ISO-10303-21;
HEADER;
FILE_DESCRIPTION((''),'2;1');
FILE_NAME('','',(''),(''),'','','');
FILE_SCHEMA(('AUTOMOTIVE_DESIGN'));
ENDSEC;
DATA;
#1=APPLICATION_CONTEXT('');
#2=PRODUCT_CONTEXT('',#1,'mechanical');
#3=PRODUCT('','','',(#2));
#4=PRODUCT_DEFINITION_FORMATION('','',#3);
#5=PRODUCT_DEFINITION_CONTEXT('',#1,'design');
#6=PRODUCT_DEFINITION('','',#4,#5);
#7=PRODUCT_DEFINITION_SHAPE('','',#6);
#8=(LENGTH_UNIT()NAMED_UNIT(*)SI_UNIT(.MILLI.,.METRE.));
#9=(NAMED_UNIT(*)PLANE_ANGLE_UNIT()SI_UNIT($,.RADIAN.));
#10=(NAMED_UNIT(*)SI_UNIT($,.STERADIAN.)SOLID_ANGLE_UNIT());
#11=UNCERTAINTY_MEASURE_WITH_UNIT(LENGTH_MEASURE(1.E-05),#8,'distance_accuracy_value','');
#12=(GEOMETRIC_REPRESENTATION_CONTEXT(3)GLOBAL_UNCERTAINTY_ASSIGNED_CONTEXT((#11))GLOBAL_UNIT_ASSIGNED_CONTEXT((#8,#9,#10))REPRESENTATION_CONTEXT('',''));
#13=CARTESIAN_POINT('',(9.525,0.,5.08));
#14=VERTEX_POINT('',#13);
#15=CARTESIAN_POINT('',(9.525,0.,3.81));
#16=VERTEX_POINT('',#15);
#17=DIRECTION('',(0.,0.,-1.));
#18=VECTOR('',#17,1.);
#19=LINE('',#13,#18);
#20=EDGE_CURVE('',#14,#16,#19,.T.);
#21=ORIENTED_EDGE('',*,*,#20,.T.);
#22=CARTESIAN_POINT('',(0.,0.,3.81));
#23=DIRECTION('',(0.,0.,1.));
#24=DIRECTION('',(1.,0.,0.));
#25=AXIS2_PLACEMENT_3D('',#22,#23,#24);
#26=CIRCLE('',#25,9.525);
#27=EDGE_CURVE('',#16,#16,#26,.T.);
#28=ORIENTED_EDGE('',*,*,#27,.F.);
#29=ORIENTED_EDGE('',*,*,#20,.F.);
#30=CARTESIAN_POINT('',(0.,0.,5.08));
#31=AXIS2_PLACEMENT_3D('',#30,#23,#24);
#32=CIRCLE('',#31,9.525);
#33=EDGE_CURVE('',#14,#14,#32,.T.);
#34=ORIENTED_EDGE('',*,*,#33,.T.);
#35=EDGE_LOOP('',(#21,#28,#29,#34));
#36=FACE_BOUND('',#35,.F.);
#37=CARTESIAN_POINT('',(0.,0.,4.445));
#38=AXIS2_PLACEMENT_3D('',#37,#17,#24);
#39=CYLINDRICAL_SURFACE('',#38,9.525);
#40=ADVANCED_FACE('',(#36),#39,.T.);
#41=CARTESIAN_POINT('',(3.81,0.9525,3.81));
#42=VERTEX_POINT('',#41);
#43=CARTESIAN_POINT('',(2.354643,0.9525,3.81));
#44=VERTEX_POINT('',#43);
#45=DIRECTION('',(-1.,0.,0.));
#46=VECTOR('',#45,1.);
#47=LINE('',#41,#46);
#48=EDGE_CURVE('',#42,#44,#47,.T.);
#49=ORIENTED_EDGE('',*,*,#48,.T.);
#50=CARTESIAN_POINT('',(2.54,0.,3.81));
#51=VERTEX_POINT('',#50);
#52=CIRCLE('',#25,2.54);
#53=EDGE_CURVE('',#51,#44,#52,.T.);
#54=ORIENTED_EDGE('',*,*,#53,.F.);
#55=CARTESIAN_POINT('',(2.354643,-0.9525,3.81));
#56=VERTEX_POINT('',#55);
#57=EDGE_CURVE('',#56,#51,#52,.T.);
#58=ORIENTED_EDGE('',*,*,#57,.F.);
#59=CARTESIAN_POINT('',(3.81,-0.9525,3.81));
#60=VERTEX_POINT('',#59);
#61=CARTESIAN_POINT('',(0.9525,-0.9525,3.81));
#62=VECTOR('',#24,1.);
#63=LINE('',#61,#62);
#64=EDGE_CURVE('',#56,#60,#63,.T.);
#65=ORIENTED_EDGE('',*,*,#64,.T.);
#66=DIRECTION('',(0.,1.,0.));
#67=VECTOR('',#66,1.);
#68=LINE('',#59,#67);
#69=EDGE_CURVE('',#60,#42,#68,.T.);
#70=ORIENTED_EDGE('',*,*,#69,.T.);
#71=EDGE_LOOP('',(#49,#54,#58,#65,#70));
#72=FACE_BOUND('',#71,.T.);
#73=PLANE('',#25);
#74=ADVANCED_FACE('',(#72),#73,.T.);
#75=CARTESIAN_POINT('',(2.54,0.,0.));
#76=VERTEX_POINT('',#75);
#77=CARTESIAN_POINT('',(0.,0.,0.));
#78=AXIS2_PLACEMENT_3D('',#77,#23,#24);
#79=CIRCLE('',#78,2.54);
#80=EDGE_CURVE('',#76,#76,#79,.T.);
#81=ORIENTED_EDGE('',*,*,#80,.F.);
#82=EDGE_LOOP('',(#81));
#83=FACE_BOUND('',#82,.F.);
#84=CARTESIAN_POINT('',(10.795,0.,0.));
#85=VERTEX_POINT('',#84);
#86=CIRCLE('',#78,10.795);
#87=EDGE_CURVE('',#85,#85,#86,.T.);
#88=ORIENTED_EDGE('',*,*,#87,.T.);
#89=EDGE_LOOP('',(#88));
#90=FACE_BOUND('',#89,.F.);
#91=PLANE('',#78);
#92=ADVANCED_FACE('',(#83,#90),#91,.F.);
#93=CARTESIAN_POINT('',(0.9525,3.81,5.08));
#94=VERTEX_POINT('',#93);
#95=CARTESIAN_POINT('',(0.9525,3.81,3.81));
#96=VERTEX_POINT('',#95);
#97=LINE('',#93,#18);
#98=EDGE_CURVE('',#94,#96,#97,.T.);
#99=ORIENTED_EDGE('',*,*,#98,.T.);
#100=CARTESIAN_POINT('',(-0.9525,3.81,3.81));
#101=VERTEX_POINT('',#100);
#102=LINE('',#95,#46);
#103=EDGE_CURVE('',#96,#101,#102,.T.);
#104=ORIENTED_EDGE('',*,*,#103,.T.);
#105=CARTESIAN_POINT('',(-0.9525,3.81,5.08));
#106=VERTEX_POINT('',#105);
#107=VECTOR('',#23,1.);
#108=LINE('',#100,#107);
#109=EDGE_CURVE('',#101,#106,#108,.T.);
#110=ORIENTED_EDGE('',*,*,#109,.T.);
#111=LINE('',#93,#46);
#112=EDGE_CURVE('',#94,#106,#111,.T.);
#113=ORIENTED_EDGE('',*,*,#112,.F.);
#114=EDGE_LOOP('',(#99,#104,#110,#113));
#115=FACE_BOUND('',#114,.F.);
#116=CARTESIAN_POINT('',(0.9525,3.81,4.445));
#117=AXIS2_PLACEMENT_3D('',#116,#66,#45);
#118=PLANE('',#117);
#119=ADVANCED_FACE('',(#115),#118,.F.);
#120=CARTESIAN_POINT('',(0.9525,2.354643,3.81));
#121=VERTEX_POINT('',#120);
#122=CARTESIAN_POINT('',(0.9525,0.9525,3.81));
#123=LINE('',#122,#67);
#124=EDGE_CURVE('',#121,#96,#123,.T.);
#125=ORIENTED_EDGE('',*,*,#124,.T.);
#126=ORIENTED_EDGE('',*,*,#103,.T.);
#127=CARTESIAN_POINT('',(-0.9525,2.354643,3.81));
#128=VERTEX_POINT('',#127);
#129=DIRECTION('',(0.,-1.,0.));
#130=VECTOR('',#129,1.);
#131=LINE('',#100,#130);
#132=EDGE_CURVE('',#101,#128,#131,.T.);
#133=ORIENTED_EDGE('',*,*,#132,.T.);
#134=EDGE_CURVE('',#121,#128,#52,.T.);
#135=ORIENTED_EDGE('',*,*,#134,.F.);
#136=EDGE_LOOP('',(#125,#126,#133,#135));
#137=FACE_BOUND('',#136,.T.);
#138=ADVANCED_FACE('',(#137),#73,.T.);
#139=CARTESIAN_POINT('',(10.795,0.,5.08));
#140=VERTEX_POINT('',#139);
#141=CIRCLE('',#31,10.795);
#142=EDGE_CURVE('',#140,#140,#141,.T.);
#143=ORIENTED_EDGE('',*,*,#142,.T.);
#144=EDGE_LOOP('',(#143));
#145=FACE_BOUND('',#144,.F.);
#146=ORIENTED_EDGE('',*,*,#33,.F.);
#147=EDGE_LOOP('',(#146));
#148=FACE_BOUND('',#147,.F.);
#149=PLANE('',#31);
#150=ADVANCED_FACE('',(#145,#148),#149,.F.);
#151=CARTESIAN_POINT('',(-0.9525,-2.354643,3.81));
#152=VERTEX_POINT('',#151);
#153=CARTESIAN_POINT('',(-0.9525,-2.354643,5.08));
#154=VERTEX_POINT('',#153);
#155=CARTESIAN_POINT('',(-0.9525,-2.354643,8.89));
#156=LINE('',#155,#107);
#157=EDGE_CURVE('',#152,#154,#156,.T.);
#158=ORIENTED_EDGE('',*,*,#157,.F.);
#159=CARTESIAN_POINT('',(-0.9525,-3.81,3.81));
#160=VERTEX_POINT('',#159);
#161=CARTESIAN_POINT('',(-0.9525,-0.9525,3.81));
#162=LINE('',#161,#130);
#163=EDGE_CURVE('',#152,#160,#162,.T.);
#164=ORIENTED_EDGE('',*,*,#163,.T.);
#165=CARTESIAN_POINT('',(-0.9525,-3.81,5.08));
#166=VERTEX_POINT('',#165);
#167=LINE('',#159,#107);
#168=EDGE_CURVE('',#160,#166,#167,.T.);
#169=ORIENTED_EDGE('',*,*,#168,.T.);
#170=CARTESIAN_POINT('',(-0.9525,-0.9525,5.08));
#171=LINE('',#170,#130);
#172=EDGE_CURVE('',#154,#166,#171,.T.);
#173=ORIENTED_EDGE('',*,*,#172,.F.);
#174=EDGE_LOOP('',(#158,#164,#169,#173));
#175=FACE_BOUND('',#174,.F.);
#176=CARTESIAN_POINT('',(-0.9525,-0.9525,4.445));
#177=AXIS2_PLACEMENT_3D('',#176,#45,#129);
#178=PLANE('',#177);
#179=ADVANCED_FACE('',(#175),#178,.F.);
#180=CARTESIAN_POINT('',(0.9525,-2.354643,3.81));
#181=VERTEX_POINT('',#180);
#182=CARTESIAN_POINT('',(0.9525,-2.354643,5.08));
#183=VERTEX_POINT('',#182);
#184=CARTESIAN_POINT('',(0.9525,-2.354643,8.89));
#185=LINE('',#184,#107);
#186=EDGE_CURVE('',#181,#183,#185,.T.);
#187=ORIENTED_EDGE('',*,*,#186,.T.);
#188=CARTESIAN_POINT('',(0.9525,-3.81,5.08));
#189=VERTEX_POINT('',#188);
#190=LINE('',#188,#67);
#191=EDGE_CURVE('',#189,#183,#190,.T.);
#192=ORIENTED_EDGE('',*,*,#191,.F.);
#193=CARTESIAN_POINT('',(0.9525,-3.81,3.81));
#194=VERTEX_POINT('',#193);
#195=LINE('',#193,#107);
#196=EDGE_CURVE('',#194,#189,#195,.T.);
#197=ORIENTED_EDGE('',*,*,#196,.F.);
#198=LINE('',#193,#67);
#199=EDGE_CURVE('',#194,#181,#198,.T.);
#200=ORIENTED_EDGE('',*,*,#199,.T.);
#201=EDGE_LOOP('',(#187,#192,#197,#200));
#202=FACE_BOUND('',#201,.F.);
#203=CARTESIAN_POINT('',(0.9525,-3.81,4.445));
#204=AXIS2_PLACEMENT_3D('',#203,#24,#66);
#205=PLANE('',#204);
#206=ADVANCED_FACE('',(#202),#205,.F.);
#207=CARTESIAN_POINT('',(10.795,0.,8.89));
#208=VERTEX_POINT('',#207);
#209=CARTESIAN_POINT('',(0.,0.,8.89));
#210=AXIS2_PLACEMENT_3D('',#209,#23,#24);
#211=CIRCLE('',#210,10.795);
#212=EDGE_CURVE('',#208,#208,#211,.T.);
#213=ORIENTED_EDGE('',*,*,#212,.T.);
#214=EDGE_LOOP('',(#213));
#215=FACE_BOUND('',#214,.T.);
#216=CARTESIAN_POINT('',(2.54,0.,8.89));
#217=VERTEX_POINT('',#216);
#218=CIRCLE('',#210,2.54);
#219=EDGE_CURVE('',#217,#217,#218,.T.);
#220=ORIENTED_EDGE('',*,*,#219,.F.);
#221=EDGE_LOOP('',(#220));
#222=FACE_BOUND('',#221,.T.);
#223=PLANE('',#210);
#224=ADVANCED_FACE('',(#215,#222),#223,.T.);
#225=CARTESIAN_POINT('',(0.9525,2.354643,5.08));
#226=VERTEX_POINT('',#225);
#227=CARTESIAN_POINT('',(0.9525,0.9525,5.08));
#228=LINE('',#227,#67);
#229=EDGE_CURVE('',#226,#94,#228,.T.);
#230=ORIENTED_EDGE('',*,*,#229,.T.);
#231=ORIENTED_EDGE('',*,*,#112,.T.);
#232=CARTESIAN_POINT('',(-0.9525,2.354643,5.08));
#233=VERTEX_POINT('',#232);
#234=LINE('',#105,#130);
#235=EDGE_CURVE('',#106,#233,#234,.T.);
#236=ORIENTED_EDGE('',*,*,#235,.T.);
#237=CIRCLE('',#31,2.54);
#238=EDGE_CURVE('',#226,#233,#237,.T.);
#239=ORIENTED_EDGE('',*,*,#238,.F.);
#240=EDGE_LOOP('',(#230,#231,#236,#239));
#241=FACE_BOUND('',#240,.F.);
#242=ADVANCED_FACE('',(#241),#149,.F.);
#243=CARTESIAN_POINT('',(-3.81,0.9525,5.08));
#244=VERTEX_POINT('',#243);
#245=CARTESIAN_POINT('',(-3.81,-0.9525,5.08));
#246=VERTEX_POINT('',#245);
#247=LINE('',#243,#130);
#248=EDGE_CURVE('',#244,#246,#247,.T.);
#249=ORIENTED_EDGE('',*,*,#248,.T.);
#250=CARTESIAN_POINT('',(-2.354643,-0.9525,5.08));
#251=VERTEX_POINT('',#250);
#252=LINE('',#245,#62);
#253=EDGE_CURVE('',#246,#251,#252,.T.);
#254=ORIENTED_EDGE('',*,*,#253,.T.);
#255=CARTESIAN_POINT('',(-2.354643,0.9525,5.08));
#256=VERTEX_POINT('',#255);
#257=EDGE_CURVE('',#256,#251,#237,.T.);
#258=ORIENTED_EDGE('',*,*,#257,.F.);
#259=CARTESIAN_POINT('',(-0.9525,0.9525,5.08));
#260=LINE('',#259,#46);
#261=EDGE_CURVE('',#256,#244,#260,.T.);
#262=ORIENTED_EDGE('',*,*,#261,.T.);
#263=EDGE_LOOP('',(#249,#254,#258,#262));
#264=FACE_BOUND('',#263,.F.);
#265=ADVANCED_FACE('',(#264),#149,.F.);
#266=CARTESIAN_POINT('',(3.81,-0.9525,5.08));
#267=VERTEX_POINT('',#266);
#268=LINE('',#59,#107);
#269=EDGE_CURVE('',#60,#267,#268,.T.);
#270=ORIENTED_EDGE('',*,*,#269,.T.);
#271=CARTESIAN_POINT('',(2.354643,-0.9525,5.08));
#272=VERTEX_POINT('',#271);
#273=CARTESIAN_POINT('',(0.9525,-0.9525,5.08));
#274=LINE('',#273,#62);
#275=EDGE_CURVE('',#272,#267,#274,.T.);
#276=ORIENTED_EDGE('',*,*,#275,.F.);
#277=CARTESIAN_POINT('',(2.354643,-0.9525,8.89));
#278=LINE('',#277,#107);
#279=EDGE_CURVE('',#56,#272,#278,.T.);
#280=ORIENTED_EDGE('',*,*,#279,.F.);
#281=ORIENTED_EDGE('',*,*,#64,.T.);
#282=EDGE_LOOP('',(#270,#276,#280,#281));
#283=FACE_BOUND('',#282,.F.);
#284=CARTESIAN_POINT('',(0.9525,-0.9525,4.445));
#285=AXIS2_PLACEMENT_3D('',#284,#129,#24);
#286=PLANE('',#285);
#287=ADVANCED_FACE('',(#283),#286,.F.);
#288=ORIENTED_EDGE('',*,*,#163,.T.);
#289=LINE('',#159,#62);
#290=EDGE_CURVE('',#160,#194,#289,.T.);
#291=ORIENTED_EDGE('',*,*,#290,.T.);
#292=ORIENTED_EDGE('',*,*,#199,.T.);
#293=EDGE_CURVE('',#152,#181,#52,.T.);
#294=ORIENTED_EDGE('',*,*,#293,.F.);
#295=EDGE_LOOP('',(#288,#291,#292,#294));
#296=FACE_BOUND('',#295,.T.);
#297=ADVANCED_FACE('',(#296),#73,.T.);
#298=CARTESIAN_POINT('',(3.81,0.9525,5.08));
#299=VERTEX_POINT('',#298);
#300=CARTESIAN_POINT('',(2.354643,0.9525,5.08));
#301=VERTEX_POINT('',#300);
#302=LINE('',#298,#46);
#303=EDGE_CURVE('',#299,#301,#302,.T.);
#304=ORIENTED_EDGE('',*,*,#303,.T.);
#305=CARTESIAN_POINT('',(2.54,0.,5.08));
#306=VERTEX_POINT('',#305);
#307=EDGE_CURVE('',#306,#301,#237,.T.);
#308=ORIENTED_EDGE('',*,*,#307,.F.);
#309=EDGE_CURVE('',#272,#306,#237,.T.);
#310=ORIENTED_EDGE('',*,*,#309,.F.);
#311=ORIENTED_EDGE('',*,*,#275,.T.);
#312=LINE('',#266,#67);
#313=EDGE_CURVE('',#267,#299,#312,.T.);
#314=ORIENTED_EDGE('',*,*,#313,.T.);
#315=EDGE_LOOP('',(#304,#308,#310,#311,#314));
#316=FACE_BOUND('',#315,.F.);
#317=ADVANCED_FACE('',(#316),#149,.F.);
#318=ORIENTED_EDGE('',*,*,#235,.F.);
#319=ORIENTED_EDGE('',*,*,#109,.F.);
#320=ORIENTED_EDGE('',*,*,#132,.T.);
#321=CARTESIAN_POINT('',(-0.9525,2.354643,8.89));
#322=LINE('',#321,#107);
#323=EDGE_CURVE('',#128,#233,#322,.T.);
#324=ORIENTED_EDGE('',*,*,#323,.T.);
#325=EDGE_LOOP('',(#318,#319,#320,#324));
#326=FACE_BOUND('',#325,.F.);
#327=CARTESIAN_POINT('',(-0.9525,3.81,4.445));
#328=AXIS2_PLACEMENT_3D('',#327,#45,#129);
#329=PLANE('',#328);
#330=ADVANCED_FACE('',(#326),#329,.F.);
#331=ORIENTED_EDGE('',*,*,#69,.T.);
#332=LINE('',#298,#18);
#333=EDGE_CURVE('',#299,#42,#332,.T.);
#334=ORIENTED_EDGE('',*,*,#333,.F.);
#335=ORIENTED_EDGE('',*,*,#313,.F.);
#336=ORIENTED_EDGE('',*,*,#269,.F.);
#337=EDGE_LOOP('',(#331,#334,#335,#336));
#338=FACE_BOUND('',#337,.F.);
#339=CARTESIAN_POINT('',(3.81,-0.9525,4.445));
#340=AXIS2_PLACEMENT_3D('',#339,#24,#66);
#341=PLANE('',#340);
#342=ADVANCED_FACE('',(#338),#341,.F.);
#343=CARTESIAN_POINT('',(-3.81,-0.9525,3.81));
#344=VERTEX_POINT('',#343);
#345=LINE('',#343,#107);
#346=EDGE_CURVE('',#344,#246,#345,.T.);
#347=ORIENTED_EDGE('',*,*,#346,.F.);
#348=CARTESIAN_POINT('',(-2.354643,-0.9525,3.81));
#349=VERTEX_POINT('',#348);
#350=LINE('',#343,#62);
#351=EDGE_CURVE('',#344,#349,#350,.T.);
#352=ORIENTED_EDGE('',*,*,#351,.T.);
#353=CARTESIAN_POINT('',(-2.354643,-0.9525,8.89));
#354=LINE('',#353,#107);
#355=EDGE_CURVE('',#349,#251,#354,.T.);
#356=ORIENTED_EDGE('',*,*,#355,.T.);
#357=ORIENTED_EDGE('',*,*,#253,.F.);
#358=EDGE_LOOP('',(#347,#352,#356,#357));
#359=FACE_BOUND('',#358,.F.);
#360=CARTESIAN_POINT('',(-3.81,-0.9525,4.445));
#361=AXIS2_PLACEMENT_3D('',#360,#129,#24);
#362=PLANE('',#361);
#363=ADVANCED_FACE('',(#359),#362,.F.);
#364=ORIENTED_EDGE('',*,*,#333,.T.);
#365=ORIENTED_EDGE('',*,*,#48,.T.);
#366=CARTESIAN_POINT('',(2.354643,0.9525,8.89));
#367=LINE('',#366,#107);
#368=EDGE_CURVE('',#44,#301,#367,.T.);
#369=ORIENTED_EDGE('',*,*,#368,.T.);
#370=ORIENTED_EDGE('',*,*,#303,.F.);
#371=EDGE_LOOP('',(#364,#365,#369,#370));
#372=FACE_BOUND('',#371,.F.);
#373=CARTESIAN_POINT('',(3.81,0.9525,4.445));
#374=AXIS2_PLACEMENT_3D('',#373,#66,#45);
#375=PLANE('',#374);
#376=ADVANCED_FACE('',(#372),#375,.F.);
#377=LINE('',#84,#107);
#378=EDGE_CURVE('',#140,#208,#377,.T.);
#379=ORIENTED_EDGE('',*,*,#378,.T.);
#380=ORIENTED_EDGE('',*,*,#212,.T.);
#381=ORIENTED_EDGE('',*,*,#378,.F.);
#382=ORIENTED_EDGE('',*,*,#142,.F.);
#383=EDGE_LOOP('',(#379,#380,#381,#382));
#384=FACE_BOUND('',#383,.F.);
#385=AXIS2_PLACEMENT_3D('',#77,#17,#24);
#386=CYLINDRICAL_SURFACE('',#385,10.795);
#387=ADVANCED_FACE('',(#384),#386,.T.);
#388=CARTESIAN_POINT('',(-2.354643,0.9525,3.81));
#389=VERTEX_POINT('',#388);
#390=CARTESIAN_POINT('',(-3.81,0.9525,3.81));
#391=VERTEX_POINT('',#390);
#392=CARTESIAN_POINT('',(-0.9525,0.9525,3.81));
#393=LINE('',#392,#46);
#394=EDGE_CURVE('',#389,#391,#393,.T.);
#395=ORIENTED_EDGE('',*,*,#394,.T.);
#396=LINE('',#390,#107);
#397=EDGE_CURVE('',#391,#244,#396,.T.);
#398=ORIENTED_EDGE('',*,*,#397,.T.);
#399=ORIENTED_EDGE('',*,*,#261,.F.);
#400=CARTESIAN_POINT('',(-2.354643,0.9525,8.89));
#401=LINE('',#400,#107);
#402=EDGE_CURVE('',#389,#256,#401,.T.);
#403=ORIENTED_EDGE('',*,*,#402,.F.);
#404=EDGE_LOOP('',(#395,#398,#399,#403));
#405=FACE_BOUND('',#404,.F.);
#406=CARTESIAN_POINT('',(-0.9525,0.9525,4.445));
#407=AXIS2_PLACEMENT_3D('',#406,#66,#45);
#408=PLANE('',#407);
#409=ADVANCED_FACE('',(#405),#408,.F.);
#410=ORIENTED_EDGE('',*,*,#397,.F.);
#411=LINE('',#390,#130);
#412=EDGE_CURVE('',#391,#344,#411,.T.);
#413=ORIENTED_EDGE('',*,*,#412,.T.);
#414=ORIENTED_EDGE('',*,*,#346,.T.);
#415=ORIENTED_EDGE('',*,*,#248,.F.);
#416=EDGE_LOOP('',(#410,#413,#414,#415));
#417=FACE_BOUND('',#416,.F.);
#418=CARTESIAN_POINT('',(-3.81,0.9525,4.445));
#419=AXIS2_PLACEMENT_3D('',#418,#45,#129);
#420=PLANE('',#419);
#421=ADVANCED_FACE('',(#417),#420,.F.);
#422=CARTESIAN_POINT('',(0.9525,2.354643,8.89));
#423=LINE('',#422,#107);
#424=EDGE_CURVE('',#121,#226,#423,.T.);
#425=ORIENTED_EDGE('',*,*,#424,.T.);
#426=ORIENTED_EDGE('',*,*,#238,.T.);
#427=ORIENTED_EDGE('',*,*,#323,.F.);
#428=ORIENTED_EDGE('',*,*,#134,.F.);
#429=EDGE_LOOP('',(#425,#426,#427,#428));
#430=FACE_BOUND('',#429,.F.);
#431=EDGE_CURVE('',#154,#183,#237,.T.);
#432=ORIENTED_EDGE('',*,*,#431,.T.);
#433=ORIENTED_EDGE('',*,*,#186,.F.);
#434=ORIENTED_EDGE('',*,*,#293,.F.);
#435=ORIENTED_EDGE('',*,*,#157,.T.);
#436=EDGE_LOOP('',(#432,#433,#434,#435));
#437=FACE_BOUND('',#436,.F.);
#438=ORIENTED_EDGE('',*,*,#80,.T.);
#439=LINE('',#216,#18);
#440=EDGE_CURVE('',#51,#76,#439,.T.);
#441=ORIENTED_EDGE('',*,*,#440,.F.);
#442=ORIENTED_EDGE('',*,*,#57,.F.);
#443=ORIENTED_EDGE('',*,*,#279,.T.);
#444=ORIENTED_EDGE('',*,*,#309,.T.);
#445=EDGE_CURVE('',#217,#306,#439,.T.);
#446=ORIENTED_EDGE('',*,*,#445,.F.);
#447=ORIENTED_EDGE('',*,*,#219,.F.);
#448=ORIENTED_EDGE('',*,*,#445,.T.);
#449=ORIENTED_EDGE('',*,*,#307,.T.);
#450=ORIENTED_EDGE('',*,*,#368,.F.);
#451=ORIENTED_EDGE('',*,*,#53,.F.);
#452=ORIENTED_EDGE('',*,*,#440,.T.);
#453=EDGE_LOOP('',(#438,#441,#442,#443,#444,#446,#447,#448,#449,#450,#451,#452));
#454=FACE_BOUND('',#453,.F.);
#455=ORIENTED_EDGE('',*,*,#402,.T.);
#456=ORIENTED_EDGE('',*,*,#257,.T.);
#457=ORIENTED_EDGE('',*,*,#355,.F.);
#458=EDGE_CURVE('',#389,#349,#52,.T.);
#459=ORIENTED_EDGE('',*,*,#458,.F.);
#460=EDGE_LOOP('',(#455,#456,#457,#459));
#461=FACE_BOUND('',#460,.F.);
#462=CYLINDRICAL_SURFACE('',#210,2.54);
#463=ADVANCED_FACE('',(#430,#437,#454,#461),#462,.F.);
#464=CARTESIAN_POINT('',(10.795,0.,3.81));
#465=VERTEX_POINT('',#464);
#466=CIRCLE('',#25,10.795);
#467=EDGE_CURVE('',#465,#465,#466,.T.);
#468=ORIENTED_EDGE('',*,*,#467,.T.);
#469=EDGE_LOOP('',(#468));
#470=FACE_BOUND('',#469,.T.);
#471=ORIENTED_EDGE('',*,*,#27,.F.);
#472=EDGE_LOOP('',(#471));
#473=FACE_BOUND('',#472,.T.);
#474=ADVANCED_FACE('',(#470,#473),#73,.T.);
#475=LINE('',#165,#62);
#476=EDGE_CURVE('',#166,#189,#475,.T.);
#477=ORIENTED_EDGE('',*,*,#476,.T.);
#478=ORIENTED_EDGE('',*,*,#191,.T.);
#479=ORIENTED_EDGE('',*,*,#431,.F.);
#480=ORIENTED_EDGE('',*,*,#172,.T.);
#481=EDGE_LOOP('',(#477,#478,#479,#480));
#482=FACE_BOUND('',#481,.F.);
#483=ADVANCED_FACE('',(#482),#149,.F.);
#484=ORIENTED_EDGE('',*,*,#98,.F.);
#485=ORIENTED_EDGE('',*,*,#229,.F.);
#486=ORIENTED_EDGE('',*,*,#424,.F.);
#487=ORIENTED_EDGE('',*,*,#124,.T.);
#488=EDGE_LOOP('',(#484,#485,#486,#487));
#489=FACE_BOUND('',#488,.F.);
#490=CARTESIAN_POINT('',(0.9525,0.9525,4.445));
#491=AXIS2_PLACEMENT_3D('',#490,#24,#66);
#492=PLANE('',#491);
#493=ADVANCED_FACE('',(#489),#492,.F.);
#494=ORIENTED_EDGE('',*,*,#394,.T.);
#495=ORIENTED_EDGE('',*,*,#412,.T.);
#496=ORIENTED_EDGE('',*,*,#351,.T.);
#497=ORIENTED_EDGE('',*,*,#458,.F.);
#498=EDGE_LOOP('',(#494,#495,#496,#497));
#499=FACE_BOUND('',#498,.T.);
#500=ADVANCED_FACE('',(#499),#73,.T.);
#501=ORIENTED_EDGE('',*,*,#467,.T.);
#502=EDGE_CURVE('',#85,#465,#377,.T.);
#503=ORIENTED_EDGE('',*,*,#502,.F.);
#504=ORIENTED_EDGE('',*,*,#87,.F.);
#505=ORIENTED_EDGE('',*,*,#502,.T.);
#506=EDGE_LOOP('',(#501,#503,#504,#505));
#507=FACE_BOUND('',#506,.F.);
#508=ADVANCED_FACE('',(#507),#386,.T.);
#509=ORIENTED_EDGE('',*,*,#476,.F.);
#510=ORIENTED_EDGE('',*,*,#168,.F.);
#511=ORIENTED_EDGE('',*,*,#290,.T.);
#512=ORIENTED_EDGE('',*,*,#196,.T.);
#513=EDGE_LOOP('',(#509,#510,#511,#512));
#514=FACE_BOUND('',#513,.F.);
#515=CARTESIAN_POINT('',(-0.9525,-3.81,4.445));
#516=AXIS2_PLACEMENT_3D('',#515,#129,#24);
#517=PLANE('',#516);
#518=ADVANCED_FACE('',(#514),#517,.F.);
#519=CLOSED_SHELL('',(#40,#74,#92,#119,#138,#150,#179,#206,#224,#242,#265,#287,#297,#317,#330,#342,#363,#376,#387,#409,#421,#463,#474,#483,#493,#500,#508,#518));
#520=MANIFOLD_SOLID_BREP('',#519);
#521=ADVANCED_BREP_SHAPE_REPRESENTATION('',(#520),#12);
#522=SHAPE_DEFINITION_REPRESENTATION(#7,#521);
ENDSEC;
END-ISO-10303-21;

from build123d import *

# Parameters (mm, degrees)
F0_R     = 10.795
F1_DEPTH = 8.89
F3_R     = 10.795
F3_R_2   = 9.525
F4_DEPTH = 0.635
F5_R     = 2.54
F6_DEPTH = 8.891
F8_DEPTH = 0.635


with BuildPart() as f1:
    # F0 (on Top) → F1 (new body)
    with BuildSketch(Plane.XY):
        Circle(F0_R)
    extrude(amount=F1_DEPTH)

    # F3 (on offset) → F4 (cut, symmetric)
    with BuildSketch(Plane.XY.offset(4.445)):
        Circle(F3_R)
        Circle(F3_R_2, mode=Mode.SUBTRACT)
    extrude(amount=F4_DEPTH, both=True, mode=Mode.SUBTRACT)

    # F5 (on face) → F6 (cut, through all)
    with BuildSketch(Plane.XY.offset(8.89)):
        Circle(F5_R)
    extrude(amount=-F6_DEPTH, mode=Mode.SUBTRACT)

    # F7 (on offset) → F8 (cut, symmetric)
    with BuildSketch(Plane.XY.offset(4.445)):
        Polygon((0.9525, 3.81), (-0.9525, 3.81), (-0.9525, 0.9525), (-3.81, 0.9525), (-3.81, -0.9525), (-0.9525, -0.9525), (-0.9525, -3.81), (0.9525, -3.81), (0.9525, -0.9525), (3.81, -0.9525), (3.81, 0.9525), (0.9525, 0.9525), align=None)
    extrude(amount=F8_DEPTH, both=True, mode=Mode.SUBTRACT)


solid = f1.part
